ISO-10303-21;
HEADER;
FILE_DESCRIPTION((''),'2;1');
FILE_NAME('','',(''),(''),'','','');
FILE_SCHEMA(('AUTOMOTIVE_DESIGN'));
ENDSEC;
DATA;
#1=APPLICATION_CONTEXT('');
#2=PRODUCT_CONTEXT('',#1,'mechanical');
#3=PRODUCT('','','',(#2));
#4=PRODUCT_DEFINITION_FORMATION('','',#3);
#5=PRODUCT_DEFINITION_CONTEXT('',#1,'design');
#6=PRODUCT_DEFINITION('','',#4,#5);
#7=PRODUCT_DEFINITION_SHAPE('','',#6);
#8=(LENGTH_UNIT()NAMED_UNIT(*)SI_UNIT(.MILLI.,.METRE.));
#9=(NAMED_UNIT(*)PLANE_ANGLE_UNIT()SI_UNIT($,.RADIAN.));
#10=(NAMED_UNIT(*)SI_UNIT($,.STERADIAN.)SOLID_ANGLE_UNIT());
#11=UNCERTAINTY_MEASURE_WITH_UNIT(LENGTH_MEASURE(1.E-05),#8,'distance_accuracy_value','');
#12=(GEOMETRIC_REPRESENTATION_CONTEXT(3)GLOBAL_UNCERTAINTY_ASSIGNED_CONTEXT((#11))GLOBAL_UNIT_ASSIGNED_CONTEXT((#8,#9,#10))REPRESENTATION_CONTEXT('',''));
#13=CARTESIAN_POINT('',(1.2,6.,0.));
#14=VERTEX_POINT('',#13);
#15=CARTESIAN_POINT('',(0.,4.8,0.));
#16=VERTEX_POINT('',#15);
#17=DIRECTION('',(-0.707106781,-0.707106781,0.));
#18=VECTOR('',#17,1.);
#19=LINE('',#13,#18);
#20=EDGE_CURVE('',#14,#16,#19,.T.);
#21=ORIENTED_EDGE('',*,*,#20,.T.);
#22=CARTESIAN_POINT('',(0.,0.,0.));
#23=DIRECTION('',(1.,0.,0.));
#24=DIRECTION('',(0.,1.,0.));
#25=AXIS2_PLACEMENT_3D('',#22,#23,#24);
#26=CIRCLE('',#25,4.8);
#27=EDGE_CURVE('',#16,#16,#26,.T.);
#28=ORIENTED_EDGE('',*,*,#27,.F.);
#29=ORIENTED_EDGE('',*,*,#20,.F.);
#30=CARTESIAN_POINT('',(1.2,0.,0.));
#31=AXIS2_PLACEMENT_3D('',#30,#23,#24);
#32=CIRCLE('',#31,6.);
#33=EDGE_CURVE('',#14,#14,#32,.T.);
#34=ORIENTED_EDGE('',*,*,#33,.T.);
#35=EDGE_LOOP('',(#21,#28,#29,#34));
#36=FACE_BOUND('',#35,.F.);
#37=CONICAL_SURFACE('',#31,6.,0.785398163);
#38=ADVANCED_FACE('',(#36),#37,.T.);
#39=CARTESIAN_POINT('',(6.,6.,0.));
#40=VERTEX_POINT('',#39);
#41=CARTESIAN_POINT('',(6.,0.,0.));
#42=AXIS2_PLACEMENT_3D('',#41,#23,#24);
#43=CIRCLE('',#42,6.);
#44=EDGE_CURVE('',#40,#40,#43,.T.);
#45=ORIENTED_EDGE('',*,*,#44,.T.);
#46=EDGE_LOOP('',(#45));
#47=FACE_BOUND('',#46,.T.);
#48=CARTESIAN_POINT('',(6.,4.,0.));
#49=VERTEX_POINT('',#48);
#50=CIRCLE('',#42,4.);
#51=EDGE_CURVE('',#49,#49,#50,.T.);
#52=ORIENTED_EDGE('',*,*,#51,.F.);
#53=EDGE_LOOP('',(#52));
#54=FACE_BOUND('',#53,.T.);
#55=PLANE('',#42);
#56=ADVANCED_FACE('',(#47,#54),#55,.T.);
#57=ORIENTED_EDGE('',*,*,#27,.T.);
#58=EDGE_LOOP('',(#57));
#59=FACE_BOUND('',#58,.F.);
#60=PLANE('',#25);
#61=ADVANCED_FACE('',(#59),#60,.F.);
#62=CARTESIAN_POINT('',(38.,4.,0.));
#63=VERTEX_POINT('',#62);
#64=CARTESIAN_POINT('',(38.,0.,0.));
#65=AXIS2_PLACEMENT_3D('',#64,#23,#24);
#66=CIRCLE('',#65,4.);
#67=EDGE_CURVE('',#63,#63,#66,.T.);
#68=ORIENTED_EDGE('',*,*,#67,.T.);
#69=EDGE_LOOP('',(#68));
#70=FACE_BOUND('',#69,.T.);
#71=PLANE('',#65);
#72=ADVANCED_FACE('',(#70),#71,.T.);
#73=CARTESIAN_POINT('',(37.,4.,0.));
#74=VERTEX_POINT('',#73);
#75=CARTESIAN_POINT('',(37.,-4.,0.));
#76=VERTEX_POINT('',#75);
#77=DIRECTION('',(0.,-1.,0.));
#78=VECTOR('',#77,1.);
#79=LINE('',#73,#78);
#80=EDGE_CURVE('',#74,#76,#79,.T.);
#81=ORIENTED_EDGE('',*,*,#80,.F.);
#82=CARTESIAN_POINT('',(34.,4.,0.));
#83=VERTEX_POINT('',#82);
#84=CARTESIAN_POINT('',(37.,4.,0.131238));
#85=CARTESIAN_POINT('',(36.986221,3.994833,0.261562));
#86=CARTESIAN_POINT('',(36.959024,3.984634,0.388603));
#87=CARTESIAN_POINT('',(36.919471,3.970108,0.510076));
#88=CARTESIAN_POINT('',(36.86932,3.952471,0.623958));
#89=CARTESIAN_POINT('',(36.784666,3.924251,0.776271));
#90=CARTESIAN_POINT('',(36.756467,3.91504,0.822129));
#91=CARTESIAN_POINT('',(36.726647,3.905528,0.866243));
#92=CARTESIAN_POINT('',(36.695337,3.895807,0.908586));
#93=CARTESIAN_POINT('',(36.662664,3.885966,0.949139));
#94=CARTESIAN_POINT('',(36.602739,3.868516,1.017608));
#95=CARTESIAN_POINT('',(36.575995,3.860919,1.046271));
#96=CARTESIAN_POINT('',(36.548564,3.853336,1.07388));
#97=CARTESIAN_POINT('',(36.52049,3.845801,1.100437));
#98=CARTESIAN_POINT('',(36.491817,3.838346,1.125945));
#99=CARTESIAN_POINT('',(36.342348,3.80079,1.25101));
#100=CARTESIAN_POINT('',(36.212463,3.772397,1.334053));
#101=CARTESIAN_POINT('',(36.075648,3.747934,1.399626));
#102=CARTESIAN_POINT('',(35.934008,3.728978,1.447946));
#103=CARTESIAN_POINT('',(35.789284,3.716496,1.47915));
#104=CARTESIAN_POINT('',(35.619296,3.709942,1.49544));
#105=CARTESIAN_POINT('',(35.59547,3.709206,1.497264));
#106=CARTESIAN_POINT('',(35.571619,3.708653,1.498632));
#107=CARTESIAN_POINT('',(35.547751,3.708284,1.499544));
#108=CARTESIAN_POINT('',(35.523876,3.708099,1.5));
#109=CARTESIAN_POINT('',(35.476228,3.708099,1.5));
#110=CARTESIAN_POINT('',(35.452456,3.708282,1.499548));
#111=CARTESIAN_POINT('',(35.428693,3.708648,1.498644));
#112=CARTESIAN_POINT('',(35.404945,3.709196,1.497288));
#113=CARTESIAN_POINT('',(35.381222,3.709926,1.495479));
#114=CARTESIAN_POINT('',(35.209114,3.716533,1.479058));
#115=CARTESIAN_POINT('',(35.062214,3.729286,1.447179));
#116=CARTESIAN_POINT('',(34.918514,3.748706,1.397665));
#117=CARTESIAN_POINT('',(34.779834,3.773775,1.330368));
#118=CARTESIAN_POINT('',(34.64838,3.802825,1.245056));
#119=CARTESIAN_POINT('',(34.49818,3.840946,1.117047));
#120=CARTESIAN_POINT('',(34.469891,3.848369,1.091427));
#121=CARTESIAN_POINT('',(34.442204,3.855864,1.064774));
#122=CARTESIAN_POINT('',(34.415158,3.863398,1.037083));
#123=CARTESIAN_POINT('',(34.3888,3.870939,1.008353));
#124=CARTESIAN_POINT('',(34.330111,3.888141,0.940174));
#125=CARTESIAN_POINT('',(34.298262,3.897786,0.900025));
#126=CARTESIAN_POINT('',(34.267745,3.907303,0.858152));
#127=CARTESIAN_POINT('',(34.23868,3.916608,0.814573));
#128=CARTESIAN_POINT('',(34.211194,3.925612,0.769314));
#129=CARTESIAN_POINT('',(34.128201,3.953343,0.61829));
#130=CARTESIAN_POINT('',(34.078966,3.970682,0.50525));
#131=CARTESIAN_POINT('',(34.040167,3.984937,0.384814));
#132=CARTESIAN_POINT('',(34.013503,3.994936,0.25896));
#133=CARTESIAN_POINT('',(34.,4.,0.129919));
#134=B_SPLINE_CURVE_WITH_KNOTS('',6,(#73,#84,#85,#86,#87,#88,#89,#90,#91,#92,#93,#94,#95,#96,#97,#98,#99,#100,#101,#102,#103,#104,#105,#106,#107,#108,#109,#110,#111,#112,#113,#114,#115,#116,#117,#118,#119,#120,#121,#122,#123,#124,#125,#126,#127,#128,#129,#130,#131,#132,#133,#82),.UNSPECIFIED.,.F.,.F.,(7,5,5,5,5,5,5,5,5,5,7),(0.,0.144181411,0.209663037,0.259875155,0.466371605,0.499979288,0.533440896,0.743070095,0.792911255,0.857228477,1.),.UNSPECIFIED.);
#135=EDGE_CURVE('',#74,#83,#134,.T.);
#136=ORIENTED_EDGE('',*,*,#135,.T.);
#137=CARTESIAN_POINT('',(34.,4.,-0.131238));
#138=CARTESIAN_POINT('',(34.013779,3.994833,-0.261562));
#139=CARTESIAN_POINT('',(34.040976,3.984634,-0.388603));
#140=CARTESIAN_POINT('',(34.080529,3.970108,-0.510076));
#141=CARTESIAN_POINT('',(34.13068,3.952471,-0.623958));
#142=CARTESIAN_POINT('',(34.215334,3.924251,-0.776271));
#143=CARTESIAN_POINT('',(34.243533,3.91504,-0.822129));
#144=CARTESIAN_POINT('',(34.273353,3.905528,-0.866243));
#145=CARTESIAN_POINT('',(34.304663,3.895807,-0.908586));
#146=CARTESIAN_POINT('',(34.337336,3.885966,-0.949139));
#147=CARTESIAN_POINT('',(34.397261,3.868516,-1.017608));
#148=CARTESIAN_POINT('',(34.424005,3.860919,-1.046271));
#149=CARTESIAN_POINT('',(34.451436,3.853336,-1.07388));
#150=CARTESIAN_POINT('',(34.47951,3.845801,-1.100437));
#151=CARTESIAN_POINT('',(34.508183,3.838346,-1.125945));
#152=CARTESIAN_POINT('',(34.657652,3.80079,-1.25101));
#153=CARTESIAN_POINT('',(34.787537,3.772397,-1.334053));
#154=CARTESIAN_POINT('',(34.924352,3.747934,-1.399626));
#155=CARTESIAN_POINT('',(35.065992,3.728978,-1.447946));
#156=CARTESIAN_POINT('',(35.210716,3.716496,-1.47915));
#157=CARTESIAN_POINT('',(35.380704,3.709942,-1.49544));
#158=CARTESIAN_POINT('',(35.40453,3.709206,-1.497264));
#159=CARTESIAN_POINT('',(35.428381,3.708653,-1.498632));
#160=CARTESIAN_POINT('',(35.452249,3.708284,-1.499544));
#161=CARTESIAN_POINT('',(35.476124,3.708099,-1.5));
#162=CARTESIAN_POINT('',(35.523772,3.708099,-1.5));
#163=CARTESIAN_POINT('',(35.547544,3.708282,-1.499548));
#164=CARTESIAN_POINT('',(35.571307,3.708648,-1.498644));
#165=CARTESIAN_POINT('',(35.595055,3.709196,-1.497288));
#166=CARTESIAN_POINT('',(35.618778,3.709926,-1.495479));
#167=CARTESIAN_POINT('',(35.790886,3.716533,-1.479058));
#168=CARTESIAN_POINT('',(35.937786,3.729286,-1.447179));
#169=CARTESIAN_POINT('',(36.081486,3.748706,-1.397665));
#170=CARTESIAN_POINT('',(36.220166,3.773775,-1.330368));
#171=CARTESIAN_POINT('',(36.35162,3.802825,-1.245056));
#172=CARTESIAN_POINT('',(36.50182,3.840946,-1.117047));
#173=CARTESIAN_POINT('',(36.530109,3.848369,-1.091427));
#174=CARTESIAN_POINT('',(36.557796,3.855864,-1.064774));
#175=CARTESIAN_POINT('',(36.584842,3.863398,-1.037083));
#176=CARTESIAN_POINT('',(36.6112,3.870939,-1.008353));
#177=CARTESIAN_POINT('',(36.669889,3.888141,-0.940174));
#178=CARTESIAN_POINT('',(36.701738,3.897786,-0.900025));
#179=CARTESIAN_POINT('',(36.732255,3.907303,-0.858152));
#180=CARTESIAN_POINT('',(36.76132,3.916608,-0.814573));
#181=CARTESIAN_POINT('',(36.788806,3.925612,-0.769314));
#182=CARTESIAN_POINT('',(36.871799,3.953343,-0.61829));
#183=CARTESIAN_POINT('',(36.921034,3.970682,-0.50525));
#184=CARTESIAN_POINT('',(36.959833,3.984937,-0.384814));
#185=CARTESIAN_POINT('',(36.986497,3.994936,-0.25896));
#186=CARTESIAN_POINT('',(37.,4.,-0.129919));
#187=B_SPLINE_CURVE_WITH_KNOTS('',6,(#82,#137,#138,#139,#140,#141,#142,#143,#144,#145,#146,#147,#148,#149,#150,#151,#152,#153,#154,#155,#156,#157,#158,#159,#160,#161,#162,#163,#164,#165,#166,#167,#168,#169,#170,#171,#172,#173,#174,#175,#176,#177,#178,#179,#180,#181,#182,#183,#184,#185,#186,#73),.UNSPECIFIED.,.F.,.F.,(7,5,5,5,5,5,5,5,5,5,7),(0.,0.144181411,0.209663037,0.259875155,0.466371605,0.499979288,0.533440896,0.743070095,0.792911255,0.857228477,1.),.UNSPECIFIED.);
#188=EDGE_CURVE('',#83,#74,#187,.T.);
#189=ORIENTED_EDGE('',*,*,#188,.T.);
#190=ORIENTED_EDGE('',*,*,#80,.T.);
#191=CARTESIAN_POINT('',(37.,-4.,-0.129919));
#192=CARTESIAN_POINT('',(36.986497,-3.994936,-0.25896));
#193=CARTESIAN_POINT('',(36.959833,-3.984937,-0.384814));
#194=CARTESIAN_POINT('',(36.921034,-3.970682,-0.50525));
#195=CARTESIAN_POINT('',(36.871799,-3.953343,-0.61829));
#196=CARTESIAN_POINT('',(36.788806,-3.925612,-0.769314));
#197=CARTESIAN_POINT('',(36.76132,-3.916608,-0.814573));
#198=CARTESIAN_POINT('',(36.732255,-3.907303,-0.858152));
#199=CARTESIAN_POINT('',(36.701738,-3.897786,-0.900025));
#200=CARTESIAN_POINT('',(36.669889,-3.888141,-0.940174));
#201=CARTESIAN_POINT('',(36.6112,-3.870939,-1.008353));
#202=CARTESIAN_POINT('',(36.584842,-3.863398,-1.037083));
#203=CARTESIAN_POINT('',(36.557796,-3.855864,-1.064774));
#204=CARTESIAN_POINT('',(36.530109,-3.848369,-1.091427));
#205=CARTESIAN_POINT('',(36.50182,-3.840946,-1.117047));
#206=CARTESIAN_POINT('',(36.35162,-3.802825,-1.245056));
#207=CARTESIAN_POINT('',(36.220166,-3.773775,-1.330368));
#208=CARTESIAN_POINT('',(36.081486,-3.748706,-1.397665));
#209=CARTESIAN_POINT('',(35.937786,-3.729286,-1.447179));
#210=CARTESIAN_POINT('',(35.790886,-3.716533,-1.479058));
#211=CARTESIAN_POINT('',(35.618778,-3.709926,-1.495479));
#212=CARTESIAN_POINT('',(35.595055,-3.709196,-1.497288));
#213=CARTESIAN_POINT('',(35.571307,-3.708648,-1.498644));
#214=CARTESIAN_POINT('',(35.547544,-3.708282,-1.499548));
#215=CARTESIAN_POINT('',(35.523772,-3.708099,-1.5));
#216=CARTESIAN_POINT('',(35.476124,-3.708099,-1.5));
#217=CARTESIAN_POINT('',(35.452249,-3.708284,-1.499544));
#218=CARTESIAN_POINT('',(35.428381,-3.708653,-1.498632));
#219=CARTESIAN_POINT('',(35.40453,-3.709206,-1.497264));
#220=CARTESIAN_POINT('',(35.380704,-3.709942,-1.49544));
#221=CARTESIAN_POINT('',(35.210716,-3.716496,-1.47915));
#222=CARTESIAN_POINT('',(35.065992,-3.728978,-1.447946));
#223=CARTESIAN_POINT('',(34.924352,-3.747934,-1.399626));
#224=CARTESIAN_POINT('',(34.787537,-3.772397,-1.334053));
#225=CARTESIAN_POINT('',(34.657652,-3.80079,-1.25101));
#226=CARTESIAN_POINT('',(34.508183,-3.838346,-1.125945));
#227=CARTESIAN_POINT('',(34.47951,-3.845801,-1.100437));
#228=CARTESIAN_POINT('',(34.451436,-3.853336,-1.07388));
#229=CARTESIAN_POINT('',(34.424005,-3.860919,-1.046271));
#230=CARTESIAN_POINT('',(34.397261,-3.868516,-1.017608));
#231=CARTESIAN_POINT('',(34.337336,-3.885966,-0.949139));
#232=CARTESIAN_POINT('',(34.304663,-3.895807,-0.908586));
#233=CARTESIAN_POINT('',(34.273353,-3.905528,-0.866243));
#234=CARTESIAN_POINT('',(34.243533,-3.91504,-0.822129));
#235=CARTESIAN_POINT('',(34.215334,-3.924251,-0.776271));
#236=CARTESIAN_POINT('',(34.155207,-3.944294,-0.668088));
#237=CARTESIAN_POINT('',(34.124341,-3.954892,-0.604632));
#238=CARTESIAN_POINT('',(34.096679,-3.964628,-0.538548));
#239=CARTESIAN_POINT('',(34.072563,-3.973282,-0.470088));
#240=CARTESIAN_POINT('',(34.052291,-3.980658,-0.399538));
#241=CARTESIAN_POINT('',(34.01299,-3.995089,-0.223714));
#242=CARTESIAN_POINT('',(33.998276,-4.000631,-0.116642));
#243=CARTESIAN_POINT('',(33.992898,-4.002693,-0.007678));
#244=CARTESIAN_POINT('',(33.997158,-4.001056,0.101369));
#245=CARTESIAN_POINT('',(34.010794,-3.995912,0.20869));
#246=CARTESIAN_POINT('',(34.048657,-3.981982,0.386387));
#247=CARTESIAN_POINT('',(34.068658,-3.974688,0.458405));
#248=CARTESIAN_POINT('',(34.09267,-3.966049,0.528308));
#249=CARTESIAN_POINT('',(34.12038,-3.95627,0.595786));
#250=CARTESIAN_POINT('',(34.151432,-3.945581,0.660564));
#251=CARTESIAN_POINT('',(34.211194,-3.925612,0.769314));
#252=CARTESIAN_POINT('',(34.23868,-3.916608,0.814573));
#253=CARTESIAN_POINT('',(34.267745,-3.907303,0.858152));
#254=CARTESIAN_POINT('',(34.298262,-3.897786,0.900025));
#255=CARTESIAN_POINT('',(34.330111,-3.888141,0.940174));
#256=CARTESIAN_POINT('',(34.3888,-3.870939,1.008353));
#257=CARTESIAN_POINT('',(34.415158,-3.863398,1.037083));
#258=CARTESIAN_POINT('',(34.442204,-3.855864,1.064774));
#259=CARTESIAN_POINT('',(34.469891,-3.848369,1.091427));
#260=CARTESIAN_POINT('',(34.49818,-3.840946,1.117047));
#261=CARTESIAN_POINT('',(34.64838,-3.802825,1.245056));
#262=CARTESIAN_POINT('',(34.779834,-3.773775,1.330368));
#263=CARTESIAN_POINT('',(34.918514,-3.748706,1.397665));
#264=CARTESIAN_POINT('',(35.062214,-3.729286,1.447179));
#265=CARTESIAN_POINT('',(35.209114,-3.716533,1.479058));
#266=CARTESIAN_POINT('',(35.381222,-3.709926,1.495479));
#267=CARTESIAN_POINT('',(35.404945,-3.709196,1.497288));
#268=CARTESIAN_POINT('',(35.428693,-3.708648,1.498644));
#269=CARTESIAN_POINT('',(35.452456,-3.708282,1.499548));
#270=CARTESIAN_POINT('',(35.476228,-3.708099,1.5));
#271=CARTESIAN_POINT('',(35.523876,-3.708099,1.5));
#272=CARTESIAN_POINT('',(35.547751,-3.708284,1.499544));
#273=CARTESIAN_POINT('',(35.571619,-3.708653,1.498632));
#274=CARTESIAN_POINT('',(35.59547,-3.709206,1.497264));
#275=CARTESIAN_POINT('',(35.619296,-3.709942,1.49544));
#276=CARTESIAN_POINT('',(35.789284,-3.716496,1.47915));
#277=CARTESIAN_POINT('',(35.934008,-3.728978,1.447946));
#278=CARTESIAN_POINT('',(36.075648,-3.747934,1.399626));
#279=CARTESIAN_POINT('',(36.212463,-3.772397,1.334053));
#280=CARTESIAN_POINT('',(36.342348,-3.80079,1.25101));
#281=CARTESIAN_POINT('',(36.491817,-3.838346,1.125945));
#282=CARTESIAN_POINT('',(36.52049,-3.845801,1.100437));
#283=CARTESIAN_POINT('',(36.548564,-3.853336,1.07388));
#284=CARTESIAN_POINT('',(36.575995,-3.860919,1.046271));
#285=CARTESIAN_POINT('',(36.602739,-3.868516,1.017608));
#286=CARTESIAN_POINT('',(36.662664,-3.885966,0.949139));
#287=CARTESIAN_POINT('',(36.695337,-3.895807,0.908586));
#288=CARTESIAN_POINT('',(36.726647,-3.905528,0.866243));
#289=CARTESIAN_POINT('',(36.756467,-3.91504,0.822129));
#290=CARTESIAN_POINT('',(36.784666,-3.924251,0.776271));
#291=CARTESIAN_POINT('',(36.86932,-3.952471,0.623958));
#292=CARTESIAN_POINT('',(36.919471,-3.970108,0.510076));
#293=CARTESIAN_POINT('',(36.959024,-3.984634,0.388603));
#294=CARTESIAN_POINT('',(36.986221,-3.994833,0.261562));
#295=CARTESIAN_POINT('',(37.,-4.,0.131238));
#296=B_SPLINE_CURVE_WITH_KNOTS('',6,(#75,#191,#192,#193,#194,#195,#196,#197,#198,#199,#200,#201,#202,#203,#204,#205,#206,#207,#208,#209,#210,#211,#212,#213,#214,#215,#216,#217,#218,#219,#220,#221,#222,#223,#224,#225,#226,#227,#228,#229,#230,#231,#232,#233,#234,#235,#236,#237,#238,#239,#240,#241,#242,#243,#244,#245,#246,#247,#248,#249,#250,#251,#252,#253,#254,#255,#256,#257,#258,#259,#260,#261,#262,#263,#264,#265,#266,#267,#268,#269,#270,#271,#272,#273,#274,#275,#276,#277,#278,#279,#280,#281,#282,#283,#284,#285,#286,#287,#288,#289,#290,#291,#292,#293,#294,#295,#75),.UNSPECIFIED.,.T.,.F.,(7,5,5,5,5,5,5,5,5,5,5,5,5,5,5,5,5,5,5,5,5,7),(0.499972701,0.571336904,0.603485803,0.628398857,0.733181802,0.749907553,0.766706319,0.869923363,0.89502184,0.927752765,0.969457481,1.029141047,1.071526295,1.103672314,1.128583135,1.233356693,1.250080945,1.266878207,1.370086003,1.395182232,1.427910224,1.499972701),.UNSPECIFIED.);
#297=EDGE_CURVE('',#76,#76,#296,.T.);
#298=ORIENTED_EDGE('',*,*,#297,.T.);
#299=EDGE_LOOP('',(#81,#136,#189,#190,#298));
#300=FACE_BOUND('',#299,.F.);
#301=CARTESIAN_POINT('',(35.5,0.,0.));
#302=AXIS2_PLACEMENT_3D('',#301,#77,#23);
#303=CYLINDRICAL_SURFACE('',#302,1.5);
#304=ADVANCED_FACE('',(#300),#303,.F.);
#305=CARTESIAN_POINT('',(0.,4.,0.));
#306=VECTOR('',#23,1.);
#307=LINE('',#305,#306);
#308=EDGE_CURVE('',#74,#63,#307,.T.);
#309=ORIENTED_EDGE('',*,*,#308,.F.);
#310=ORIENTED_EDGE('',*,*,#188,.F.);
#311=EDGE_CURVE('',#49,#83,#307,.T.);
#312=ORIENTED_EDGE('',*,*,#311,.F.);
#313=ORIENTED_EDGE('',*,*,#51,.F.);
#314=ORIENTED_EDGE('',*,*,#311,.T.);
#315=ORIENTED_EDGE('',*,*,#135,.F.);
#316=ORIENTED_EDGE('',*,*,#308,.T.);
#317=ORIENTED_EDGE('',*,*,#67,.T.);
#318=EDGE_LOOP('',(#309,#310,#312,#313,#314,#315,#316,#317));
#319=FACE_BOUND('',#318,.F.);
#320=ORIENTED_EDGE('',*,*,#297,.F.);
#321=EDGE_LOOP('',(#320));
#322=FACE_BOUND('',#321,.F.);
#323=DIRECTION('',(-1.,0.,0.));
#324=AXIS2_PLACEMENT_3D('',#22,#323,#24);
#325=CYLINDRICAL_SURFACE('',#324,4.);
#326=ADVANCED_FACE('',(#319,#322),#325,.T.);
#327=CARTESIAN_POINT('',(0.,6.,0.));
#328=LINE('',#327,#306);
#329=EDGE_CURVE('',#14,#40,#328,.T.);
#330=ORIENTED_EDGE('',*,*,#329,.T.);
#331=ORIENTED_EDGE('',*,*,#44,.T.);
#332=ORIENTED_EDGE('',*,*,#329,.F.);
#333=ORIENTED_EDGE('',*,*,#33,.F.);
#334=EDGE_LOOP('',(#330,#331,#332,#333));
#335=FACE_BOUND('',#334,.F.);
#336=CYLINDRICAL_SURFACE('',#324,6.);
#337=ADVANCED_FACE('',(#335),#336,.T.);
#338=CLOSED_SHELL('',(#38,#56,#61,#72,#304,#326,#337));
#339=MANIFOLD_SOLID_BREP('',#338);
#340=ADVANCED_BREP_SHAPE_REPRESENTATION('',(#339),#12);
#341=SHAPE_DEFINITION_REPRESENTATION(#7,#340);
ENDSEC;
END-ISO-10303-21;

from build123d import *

# Parameters (mm, degrees)
F0_R     = 4
F1_DEPTH = 38
F0_R_2   = 6
F2_DEPTH = 6
F3_SIZE  = 1.2
F4_R     = 1.5
F5_DEPTH = 4


with BuildPart() as f1:
    # F0 (on Right) → F1 (new body)
    with BuildSketch(Plane.YZ):
        Circle(F0_R)
    extrude(amount=F1_DEPTH)

    # F0 (on Right) → F2 (join)
    with BuildSketch(Plane.YZ):
        Circle(F0_R_2)
        Circle(F0_R, mode=Mode.SUBTRACT)
    extrude(amount=F2_DEPTH)

    # F3
    f3_edges = [f1.edges().sort_by_distance(p)[0] for p in [
        (0, -6, 0),
    ]]
    chamfer(f3_edges, length=F3_SIZE)

    # F4 (on Front) → F5 (cut, symmetric)
    with BuildSketch(Plane.XZ):
        with Locations((35.5, 0)):
            Circle(F4_R)
    extrude(amount=F5_DEPTH, both=True, mode=Mode.SUBTRACT)


solid = f1.part
